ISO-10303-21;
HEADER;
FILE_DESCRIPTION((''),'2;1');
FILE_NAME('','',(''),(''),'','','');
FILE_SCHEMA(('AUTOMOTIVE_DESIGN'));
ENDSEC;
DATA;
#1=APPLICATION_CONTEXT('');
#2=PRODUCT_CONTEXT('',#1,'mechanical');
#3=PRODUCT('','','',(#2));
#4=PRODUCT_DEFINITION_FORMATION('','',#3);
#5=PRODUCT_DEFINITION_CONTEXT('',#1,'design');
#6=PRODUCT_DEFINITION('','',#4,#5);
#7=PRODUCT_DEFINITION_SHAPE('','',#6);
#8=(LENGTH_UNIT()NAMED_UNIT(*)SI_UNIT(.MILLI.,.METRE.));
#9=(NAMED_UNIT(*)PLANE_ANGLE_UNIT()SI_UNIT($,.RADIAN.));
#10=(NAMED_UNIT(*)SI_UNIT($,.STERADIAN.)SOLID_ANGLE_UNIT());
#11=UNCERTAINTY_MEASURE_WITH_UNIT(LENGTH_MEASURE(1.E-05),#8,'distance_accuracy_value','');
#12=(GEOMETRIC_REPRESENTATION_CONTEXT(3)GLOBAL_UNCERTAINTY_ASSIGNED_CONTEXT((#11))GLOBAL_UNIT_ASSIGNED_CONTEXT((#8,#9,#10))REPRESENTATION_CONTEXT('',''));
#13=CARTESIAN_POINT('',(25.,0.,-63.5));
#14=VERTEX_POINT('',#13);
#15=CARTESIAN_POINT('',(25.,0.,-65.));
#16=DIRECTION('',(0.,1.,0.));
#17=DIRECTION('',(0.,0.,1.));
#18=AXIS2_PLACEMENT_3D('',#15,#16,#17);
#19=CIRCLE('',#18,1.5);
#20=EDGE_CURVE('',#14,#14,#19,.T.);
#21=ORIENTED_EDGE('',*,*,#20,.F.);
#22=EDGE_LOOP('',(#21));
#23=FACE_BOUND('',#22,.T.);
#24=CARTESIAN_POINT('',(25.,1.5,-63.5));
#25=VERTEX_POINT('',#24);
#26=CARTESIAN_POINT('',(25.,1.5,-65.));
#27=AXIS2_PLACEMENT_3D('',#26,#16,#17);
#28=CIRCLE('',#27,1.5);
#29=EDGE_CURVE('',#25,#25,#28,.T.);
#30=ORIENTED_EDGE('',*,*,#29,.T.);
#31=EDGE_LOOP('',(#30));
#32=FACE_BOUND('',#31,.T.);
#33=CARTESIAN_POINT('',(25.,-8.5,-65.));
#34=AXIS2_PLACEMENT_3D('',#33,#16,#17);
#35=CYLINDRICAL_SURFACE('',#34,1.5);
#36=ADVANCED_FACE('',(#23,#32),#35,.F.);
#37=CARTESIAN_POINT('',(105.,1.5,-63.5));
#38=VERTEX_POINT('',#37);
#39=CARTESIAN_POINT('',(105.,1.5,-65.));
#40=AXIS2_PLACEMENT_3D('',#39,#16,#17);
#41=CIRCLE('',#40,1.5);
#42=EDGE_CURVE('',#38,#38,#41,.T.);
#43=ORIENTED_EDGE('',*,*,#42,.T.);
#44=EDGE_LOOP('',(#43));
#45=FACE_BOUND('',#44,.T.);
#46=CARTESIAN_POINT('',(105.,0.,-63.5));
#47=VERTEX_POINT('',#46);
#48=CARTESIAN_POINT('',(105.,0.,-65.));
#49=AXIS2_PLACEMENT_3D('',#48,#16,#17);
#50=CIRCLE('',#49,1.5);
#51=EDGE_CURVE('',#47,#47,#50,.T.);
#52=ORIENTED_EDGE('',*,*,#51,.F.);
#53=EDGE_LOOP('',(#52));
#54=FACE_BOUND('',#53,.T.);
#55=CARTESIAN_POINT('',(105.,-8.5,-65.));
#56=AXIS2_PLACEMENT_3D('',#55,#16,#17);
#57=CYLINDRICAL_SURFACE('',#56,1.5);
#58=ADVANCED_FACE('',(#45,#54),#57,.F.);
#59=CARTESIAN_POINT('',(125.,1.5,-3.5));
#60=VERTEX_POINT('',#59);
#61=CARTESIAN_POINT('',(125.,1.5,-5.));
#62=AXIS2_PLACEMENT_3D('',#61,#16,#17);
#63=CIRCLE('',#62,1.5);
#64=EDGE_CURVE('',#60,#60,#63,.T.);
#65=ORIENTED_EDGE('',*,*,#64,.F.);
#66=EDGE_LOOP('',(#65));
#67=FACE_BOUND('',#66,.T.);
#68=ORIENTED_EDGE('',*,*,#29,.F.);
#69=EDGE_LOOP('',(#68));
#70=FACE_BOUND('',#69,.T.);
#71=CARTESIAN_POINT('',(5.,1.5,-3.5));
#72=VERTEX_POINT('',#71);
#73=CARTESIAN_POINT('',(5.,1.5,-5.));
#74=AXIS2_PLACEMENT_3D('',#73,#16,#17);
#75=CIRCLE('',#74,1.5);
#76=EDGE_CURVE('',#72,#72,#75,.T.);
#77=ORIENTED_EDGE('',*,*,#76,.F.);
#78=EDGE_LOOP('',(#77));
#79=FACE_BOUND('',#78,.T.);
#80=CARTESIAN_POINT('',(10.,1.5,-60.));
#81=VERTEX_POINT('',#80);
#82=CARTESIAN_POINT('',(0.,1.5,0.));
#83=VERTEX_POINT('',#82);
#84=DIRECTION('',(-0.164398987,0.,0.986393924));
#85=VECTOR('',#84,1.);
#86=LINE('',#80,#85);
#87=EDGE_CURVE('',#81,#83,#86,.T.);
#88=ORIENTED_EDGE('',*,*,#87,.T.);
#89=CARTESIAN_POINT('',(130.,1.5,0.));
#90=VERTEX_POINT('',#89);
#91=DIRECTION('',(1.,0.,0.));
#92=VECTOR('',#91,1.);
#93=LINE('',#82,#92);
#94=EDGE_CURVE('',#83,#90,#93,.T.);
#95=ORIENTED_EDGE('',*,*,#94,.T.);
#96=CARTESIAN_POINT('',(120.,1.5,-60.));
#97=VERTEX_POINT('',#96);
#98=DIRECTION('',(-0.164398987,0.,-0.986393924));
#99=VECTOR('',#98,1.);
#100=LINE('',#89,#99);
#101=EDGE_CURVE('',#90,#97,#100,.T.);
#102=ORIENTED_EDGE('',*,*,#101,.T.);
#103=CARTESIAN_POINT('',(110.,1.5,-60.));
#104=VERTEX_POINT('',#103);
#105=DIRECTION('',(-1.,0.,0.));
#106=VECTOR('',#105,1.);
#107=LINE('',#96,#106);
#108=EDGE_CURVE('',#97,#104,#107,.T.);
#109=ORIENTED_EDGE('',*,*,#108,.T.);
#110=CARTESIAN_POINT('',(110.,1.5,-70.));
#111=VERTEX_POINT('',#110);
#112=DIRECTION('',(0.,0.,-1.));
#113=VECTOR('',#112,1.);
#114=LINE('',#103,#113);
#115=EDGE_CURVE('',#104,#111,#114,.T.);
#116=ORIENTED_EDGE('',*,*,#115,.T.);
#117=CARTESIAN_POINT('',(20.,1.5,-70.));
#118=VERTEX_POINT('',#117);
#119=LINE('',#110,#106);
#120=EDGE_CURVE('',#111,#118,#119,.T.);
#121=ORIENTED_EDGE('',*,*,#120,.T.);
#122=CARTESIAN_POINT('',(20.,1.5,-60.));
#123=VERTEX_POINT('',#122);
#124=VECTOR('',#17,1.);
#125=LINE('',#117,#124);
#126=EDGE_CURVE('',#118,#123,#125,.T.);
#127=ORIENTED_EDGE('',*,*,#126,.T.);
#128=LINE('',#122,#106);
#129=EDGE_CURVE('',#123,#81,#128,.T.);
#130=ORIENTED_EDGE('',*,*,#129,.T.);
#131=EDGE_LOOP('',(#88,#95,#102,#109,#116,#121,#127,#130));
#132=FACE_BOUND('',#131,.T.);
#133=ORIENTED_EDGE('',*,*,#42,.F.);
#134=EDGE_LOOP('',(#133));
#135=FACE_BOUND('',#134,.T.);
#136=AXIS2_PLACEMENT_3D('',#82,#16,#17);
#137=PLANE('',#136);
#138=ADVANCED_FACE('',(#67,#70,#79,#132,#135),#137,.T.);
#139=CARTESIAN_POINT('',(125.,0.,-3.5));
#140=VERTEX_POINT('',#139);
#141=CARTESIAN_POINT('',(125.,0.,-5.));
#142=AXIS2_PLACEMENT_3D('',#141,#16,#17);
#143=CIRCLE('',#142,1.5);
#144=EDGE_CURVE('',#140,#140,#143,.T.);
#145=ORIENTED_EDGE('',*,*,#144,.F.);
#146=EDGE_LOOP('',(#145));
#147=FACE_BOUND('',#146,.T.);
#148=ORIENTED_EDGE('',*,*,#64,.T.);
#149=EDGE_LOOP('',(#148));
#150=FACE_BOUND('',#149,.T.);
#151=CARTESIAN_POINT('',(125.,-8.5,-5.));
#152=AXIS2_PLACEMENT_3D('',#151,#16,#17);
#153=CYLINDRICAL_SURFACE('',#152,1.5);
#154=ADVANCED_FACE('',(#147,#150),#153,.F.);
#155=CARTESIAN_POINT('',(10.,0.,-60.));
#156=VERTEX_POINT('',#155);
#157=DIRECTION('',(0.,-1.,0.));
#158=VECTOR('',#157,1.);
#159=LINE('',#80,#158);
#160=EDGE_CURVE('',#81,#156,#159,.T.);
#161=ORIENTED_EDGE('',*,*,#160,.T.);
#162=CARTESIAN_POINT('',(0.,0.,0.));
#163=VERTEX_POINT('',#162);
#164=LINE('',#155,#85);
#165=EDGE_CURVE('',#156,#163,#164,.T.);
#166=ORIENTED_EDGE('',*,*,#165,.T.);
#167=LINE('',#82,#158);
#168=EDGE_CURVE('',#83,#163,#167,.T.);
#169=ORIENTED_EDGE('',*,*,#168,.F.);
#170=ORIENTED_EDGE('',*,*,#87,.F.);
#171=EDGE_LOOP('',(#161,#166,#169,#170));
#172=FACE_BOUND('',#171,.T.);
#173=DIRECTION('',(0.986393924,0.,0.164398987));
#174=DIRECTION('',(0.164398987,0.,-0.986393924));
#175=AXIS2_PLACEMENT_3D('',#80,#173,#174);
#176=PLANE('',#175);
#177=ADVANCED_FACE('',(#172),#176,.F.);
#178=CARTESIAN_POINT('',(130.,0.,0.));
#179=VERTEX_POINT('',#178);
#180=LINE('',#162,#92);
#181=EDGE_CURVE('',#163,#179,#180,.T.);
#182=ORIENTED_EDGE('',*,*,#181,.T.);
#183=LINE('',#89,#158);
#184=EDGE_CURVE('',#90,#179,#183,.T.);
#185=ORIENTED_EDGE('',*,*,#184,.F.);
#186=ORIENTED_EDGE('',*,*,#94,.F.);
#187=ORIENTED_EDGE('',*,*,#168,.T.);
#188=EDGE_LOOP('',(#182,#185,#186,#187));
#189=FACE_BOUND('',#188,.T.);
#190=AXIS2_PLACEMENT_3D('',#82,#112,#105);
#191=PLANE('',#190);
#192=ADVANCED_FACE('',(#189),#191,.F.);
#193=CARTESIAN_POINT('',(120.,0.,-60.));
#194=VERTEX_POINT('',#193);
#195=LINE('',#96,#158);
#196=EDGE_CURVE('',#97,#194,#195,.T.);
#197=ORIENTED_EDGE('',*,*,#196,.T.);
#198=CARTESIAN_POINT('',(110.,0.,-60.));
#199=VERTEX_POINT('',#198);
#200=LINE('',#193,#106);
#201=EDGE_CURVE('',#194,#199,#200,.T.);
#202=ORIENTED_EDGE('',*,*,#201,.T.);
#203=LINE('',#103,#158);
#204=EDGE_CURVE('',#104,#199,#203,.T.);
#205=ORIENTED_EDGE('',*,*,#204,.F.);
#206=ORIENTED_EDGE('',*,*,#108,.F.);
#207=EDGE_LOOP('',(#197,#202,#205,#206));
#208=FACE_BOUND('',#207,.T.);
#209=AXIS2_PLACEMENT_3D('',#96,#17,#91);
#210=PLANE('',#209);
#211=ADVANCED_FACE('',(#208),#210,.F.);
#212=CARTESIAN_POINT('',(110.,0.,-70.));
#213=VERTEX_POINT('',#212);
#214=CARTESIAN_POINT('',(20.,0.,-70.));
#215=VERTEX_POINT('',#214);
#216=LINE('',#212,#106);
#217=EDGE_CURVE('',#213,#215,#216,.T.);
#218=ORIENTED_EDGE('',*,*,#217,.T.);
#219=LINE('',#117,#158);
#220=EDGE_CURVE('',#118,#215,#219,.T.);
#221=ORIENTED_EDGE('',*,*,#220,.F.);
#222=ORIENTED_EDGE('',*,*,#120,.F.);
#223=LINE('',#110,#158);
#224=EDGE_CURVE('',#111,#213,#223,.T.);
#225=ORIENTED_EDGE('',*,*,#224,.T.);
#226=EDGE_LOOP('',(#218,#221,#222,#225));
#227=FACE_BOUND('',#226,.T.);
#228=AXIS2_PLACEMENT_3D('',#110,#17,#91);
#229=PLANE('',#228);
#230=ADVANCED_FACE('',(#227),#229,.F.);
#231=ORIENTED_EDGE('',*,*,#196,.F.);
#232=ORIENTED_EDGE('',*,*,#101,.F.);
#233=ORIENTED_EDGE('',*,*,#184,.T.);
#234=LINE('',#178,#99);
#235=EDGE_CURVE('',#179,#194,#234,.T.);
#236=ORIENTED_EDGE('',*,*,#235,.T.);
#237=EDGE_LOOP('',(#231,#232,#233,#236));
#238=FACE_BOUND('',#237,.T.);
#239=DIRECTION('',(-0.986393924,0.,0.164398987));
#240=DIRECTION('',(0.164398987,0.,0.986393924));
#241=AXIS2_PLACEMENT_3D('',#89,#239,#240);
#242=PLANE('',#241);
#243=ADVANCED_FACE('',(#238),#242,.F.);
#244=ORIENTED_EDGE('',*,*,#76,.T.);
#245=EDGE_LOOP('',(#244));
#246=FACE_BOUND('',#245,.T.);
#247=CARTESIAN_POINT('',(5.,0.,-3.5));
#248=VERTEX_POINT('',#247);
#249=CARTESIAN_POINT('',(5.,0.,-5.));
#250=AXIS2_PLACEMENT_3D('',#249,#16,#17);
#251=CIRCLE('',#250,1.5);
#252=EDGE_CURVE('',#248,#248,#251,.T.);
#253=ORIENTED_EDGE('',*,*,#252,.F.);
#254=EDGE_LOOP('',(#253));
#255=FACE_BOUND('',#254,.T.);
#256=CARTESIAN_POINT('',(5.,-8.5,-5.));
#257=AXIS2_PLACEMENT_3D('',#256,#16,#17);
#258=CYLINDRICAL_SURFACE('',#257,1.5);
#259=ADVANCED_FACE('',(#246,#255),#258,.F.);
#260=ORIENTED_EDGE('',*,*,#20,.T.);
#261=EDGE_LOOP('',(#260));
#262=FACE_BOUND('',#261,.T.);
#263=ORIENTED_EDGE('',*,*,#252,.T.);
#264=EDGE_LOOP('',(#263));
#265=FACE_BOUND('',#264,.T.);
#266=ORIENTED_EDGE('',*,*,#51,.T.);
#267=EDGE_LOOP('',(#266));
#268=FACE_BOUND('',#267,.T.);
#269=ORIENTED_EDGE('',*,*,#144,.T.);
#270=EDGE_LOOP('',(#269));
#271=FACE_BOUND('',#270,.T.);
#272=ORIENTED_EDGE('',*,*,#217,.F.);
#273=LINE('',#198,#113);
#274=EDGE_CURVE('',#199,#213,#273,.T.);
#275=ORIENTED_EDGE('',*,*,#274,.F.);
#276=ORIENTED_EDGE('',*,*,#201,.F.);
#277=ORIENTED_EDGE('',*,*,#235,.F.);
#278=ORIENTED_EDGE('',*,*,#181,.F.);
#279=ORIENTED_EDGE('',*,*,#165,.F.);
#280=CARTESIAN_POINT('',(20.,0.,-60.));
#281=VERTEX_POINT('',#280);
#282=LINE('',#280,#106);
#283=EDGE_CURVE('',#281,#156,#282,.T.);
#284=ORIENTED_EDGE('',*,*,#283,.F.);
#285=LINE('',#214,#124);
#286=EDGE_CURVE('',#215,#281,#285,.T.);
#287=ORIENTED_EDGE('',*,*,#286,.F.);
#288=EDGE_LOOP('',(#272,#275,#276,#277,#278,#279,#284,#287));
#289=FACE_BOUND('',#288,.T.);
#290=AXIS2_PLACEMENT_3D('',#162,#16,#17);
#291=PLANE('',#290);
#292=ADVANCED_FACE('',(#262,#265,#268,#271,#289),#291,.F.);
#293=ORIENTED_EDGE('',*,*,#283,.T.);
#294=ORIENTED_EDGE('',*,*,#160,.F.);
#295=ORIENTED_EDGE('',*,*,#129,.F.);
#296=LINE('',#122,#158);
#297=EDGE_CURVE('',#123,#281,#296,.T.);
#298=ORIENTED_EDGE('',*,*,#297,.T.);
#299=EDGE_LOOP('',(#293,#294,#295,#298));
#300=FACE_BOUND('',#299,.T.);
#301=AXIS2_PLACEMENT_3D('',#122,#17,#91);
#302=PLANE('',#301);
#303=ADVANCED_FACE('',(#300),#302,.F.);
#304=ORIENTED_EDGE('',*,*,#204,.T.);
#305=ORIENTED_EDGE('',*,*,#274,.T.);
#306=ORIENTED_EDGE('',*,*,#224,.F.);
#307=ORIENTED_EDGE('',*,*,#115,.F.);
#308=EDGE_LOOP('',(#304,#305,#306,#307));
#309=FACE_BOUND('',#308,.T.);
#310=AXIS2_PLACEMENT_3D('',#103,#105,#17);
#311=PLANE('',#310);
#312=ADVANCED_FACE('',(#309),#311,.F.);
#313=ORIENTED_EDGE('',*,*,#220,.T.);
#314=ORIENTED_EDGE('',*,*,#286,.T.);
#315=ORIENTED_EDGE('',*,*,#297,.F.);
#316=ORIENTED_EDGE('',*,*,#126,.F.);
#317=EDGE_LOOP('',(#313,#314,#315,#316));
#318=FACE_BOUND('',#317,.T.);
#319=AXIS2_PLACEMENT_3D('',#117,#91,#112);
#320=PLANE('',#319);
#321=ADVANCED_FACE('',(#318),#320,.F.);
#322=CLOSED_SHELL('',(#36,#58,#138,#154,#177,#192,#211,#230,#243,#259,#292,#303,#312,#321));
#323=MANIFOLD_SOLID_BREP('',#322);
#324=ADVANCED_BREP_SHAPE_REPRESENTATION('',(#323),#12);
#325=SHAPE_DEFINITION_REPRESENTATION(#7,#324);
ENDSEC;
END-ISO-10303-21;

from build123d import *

# Parameters (mm, degrees)
Y_KSEKLIK_EKSTR_ZYON1_DEPTH = 1.5
IZIM2_R                     = 1.5
KES_EKSTR_ZYON1_DEPTH       = 10


with BuildPart() as part:
    # Çizim1 → Yükseklik-Ekstrüzyon1 (new body)
    with BuildSketch(Plane(origin=(0, 0, 0), x_dir=(1, 0, 0), z_dir=(0, 1, 0))):
        Polygon((0, 0), (130, 0), (120, 60), (110, 60), (110, 70), (20, 70), (20, 60), (10, 60), align=None)
    extrude(amount=Y_KSEKLIK_EKSTR_ZYON1_DEPTH)

    # Çizim2 → Kes-Ekstrüzyon1 (cut)
    with BuildSketch(Plane(origin=(0, 1.5, 0), x_dir=(1, 0, 0), z_dir=(0, 1, 0))):
        with Locations(Location((25, 65, 0), (0, 0, 270))):
            Circle(IZIM2_R)
        with Locations(Location((105, 65, 0), (0, 0, 270))):
            Circle(IZIM2_R)
        with Locations(Location((5, 5, 0), (0, 0, 270))):
            Circle(IZIM2_R)
        with Locations(Location((125, 5, 0), (0, 0, 270))):
            Circle(IZIM2_R)
    extrude(amount=-KES_EKSTR_ZYON1_DEPTH, mode=Mode.SUBTRACT)


solid = part.part
